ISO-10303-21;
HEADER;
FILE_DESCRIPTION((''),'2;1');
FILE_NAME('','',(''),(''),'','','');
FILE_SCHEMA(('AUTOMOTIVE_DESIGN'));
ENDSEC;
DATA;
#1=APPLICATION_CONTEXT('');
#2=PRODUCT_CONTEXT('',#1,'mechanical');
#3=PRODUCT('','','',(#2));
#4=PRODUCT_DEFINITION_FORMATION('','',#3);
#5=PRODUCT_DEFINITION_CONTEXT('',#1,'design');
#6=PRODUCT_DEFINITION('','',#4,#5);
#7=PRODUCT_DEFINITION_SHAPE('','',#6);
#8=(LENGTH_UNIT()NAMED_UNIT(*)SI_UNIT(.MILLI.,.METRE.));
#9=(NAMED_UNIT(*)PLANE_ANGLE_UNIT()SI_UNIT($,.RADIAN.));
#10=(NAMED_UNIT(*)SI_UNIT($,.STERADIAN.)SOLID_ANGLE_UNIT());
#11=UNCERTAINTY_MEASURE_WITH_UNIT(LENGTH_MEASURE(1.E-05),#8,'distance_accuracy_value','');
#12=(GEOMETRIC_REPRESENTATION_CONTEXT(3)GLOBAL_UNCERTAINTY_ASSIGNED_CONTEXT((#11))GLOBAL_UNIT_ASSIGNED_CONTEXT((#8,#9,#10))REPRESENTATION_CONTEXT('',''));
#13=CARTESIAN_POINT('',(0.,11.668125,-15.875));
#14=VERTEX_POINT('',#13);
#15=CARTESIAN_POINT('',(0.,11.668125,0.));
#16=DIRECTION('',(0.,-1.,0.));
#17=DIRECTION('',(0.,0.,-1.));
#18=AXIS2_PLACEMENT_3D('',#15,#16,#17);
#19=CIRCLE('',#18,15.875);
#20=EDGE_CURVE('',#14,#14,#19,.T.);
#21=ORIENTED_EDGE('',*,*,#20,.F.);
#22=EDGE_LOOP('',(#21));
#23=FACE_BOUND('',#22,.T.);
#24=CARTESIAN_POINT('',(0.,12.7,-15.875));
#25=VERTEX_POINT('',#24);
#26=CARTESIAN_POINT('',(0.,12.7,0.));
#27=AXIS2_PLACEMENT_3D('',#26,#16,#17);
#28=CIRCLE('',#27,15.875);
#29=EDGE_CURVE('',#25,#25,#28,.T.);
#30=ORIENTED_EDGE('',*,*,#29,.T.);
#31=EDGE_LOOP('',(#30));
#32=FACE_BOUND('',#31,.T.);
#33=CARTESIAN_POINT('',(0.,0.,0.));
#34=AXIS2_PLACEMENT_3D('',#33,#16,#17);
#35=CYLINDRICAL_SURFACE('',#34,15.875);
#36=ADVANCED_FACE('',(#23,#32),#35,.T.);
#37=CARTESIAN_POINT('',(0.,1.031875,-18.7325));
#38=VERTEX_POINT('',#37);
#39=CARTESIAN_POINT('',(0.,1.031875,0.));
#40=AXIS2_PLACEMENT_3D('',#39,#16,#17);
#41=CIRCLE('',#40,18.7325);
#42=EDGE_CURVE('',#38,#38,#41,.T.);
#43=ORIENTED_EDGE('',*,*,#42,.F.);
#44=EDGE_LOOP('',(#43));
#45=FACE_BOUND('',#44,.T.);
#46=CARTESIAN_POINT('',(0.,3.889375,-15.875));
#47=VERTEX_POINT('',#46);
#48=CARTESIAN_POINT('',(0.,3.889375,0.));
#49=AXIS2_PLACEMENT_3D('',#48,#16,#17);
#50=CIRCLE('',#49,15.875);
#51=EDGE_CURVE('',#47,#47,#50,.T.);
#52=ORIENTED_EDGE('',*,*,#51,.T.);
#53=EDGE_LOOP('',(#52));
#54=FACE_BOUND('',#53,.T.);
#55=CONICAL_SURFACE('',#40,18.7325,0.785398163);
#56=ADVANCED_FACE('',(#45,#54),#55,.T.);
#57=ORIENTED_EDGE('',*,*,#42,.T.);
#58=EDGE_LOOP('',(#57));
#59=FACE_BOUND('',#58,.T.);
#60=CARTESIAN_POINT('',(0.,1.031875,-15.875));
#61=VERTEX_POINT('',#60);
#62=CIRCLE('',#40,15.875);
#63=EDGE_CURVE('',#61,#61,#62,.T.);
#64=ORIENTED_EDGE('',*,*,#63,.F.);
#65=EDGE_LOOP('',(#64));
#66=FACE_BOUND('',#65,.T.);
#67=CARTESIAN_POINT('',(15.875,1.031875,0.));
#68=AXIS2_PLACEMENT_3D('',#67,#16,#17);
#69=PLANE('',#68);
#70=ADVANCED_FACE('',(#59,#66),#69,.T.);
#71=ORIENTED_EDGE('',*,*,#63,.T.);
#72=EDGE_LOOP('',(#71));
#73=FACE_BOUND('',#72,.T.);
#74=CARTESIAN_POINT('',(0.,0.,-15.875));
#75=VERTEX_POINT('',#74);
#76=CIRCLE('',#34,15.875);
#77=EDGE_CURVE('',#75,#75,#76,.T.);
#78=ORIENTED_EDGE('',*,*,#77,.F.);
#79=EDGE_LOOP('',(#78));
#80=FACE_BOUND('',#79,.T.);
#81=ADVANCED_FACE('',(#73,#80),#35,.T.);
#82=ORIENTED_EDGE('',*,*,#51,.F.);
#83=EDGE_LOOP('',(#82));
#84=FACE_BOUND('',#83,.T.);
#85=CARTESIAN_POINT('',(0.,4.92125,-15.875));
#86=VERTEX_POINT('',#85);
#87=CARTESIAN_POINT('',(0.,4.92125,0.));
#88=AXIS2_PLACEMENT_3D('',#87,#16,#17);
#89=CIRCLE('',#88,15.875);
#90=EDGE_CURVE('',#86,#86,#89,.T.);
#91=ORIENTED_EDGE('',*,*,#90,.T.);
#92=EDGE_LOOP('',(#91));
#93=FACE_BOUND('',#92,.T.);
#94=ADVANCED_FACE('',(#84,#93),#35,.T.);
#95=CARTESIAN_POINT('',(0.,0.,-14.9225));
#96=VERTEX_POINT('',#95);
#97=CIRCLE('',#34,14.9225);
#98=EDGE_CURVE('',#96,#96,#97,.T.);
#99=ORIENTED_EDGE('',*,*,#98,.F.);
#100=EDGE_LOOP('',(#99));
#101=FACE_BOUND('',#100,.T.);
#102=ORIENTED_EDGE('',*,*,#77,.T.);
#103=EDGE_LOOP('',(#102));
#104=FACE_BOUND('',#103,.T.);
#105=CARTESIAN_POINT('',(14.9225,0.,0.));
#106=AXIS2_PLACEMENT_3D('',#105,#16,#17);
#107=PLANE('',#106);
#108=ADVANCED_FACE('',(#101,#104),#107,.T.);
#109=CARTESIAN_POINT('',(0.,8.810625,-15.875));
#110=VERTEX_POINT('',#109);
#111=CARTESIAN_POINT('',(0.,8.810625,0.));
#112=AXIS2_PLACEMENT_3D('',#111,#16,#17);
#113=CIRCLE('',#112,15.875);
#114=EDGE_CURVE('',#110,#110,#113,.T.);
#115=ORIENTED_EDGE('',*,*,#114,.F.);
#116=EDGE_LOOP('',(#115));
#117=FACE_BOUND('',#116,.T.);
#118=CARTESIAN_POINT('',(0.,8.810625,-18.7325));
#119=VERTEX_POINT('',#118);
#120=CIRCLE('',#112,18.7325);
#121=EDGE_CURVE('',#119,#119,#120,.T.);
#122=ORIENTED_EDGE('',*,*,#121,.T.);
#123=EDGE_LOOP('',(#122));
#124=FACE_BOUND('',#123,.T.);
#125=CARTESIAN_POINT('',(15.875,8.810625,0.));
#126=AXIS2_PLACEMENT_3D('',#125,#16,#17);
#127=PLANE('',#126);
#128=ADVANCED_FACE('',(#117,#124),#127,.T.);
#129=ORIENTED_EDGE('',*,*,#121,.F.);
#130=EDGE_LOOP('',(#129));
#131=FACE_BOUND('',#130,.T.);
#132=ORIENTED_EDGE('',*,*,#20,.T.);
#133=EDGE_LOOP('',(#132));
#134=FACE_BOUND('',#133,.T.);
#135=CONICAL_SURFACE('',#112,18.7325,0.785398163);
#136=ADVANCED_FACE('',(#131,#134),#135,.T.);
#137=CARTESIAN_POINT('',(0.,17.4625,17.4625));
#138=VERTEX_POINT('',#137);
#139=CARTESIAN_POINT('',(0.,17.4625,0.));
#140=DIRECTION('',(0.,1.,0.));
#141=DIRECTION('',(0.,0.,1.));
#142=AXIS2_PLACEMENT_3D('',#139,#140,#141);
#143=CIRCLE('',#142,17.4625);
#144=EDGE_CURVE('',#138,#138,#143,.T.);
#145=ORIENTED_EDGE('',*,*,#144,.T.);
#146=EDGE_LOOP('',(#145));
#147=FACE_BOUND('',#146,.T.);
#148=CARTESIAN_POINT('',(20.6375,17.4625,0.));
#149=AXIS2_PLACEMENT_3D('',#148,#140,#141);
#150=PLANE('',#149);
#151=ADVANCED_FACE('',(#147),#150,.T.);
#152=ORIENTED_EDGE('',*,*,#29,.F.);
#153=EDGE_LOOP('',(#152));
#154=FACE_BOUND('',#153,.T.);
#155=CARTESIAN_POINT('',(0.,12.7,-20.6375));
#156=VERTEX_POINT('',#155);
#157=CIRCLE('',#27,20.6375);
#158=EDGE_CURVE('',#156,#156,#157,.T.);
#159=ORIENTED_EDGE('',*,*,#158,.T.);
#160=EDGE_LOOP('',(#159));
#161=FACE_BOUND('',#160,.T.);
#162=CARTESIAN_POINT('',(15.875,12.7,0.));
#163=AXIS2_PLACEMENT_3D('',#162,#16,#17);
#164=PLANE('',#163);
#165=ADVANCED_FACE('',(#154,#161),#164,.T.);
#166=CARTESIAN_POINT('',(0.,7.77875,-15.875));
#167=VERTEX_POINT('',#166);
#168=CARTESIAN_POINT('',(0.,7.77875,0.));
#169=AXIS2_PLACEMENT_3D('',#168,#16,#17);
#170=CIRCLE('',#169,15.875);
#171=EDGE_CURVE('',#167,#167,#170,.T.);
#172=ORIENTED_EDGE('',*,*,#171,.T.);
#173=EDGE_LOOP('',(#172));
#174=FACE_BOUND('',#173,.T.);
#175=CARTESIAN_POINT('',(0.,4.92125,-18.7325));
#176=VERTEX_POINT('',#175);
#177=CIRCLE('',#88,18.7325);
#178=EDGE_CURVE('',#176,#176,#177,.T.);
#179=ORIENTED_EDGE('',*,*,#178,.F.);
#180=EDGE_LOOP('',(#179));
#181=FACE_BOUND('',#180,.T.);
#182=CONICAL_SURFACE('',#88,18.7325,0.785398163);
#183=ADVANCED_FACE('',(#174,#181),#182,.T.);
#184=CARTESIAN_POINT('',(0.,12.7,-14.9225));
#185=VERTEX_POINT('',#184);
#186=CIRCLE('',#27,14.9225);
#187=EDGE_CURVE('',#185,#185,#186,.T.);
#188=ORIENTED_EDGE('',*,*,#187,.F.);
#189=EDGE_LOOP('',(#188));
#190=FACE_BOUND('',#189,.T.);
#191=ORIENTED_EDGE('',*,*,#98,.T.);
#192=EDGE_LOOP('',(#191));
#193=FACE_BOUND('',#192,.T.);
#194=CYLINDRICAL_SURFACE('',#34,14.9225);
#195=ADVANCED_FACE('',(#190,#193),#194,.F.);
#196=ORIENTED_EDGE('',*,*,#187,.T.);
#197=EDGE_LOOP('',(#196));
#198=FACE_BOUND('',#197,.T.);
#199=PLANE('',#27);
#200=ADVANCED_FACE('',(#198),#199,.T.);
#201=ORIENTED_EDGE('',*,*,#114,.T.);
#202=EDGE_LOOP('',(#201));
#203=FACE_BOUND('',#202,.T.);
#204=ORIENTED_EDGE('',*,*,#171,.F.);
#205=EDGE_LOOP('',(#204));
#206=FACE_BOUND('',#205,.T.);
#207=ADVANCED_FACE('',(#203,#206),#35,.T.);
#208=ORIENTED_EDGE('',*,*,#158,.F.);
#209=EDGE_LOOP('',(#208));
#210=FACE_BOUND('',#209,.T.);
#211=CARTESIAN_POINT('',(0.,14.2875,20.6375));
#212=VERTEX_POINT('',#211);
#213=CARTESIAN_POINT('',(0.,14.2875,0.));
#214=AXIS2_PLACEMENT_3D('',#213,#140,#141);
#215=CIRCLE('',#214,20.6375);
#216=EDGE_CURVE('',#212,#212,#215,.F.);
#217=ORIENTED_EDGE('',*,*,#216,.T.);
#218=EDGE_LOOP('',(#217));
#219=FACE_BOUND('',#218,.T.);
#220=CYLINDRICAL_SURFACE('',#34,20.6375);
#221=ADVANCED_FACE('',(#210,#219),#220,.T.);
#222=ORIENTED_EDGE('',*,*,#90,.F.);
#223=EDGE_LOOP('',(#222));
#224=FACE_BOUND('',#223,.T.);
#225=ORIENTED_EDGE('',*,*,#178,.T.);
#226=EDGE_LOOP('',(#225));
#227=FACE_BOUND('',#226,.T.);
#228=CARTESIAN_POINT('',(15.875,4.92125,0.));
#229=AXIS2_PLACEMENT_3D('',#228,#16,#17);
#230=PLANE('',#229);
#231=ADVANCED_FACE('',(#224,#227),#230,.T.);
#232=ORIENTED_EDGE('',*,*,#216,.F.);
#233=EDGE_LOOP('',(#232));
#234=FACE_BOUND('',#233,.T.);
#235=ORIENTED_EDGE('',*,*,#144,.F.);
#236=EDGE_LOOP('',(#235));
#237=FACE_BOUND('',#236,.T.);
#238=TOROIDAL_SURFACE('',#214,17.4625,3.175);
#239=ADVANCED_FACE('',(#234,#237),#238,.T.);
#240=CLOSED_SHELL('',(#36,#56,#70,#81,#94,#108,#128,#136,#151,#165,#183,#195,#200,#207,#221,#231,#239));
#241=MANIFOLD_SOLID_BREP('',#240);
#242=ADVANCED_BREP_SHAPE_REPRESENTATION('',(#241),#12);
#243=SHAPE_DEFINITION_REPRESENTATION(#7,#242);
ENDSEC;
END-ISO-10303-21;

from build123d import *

# Parameters (mm, degrees)
FILLET1_R = 3.175


with BuildPart() as part:
    # Sketch1 → Revolve1 (revolve)
    with BuildSketch(Plane.XY):
        Polygon((15.875, 0), (15.875, 1.031875), (18.7325, 1.031875), (15.875, 3.889375), (15.875, 4.92125), (18.7325, 4.92125), (15.875, 7.77875), (15.875, 8.810625), (18.7325, 8.810625), (15.875, 11.668125), (15.875, 12.7), (20.6375, 12.7), (20.6375, 17.4625), (0, 17.4625), (0, 12.7), (14.9225, 12.7), (14.9225, 0), align=None)
    revolve(axis=Axis((0, 0, 0), (0, 1, 0)))

    # Fillet1
    fillet1_edges = [part.edges().sort_by_distance(p)[0] for p in [
        (-20.6375, 17.4625, 0),
    ]]
    fillet(fillet1_edges, radius=FILLET1_R)


solid = part.part
